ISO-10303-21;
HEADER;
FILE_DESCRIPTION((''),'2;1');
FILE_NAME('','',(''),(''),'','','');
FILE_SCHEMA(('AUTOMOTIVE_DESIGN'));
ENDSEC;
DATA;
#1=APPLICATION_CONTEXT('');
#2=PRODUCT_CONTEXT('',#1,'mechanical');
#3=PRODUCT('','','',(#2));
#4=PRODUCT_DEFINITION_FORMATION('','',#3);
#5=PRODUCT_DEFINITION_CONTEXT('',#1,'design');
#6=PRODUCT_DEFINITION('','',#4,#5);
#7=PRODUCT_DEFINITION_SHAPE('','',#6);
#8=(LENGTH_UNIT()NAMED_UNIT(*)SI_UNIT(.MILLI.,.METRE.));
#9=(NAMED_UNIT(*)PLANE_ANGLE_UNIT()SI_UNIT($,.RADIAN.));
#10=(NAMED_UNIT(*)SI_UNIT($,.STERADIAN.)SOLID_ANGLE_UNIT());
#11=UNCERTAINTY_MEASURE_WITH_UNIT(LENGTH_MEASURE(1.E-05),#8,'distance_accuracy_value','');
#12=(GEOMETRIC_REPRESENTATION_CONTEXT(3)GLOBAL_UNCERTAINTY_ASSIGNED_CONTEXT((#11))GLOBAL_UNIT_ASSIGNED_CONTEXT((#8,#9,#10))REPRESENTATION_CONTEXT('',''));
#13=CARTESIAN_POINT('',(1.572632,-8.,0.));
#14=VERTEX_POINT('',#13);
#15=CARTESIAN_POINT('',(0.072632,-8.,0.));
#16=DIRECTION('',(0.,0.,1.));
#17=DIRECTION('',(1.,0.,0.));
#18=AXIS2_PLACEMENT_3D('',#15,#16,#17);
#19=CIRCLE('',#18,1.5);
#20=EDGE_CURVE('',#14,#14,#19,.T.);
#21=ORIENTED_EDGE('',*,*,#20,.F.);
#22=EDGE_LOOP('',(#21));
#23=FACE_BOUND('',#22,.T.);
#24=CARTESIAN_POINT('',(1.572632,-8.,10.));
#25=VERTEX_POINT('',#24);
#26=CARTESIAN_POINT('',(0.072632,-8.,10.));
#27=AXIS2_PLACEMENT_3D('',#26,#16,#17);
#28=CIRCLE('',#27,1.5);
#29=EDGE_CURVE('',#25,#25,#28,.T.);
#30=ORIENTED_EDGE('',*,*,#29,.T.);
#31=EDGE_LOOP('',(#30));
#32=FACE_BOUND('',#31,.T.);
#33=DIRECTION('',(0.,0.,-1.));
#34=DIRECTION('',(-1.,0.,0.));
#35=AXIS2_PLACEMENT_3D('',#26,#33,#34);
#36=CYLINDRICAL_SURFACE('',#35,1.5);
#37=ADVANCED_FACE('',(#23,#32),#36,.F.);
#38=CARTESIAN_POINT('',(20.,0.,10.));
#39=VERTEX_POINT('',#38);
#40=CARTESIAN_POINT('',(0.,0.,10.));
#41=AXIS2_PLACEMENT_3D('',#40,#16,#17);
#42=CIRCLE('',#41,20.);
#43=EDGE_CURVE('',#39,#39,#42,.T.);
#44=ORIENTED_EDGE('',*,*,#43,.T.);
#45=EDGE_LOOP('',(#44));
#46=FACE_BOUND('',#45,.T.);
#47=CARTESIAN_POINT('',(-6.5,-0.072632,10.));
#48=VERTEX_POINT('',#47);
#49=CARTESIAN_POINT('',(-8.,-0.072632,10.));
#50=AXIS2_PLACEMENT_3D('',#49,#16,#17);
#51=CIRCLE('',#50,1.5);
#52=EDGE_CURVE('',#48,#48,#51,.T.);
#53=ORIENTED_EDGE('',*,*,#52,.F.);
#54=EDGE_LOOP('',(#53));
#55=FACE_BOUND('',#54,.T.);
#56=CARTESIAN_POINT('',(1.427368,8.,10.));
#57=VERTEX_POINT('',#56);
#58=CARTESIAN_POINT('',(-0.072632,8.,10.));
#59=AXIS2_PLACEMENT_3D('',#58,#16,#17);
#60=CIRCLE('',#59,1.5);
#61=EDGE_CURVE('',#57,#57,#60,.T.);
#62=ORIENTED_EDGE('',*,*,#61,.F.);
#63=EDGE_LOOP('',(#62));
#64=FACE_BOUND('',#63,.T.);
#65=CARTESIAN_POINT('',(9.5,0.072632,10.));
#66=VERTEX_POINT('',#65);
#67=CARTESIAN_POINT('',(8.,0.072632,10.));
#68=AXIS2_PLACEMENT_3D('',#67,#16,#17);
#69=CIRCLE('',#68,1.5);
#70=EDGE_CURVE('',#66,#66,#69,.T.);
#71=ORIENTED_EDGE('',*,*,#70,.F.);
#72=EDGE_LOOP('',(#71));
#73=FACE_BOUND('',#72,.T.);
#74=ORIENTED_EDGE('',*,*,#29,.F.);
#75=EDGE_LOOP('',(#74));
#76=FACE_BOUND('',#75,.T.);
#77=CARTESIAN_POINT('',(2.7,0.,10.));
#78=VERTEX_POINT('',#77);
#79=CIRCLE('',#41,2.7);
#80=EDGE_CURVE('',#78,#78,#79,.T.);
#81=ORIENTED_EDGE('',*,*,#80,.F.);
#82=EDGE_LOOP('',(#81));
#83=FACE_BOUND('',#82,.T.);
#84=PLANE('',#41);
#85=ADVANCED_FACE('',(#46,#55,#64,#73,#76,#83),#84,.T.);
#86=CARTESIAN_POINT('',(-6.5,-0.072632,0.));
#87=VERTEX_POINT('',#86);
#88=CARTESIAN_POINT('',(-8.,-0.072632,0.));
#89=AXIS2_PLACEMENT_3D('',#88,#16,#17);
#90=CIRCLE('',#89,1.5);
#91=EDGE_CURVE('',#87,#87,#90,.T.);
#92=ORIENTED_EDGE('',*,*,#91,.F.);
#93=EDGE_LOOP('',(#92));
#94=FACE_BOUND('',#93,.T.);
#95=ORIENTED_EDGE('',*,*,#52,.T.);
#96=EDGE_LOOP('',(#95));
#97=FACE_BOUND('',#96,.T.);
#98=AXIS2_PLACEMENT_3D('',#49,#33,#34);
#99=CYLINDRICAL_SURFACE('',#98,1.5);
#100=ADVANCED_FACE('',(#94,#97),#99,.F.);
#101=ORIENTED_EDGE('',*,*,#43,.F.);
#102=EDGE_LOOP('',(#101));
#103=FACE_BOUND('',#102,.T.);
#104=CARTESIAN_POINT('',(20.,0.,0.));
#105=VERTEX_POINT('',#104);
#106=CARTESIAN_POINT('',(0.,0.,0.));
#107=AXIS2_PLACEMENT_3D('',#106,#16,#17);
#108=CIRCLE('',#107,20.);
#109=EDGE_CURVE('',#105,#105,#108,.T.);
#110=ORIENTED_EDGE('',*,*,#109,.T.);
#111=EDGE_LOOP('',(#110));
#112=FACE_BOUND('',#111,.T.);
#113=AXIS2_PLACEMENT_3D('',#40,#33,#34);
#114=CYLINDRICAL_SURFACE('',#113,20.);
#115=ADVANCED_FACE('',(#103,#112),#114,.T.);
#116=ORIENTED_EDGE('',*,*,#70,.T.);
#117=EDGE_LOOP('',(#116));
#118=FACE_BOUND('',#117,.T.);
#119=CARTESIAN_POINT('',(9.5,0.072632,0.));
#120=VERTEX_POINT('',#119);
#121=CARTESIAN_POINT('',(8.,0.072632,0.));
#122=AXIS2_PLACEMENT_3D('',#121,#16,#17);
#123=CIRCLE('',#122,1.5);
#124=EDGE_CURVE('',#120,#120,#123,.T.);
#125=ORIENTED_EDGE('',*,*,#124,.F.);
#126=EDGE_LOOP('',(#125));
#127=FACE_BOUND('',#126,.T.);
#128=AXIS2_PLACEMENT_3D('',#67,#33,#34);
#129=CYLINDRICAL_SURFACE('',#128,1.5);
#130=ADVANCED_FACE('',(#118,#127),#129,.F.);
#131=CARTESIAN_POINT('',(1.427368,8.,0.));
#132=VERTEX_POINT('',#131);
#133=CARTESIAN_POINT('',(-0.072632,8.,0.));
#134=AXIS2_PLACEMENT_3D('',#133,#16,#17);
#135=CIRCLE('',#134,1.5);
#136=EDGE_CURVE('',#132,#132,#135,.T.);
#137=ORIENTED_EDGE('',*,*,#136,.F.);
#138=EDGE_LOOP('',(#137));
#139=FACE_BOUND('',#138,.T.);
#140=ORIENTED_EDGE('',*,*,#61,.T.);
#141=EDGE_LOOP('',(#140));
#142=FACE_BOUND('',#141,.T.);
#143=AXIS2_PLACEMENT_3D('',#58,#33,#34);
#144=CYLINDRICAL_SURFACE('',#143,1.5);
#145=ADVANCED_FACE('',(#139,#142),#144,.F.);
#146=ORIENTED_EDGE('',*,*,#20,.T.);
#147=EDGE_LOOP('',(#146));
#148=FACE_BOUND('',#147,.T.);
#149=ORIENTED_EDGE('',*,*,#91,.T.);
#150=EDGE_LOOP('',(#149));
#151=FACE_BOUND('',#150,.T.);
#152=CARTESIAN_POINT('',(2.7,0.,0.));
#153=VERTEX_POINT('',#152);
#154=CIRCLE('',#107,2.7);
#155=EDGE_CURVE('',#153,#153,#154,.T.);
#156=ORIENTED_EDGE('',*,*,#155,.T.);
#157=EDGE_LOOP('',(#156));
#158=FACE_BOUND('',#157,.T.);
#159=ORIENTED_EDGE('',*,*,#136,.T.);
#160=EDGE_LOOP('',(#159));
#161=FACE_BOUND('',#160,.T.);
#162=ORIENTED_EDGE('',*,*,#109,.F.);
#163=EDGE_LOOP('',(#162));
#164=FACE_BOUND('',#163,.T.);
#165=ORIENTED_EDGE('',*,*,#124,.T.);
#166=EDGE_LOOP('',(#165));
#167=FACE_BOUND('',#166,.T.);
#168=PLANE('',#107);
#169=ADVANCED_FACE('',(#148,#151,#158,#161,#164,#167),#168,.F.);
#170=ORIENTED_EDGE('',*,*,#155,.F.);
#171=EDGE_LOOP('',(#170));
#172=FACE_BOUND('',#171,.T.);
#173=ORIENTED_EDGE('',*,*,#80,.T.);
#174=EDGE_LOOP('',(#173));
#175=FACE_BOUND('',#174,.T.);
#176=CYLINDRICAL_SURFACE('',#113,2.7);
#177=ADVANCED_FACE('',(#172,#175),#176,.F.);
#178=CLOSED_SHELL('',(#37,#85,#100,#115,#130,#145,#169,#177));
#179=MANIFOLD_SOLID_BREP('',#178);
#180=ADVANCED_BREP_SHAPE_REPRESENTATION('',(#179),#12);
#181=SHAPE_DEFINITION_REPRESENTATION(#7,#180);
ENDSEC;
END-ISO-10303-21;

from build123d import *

# Parameters (mm, degrees)
SKETCH1_R           = 20
SKETCH1_R_2         = 1.5
SKETCH1_R_3         = 2.7
BOSS_EXTRUDE1_DEPTH = 10


with BuildPart() as part:
    # Sketch1 → Boss-Extrude1 (new body)
    with BuildSketch(Plane.XY):
        Circle(SKETCH1_R)
        with Locations((-8, -0.072631711)):
            Circle(SKETCH1_R_2, mode=Mode.SUBTRACT)
        with Locations((-0.072631711, 8)):
            Circle(SKETCH1_R_2, mode=Mode.SUBTRACT)
        with Locations((8, 0.072631711)):
            Circle(SKETCH1_R_2, mode=Mode.SUBTRACT)
        with Locations((0.072631711, -8)):
            Circle(SKETCH1_R_2, mode=Mode.SUBTRACT)
        Circle(SKETCH1_R_3, mode=Mode.SUBTRACT)
    extrude(amount=BOSS_EXTRUDE1_DEPTH)


solid = part.part
